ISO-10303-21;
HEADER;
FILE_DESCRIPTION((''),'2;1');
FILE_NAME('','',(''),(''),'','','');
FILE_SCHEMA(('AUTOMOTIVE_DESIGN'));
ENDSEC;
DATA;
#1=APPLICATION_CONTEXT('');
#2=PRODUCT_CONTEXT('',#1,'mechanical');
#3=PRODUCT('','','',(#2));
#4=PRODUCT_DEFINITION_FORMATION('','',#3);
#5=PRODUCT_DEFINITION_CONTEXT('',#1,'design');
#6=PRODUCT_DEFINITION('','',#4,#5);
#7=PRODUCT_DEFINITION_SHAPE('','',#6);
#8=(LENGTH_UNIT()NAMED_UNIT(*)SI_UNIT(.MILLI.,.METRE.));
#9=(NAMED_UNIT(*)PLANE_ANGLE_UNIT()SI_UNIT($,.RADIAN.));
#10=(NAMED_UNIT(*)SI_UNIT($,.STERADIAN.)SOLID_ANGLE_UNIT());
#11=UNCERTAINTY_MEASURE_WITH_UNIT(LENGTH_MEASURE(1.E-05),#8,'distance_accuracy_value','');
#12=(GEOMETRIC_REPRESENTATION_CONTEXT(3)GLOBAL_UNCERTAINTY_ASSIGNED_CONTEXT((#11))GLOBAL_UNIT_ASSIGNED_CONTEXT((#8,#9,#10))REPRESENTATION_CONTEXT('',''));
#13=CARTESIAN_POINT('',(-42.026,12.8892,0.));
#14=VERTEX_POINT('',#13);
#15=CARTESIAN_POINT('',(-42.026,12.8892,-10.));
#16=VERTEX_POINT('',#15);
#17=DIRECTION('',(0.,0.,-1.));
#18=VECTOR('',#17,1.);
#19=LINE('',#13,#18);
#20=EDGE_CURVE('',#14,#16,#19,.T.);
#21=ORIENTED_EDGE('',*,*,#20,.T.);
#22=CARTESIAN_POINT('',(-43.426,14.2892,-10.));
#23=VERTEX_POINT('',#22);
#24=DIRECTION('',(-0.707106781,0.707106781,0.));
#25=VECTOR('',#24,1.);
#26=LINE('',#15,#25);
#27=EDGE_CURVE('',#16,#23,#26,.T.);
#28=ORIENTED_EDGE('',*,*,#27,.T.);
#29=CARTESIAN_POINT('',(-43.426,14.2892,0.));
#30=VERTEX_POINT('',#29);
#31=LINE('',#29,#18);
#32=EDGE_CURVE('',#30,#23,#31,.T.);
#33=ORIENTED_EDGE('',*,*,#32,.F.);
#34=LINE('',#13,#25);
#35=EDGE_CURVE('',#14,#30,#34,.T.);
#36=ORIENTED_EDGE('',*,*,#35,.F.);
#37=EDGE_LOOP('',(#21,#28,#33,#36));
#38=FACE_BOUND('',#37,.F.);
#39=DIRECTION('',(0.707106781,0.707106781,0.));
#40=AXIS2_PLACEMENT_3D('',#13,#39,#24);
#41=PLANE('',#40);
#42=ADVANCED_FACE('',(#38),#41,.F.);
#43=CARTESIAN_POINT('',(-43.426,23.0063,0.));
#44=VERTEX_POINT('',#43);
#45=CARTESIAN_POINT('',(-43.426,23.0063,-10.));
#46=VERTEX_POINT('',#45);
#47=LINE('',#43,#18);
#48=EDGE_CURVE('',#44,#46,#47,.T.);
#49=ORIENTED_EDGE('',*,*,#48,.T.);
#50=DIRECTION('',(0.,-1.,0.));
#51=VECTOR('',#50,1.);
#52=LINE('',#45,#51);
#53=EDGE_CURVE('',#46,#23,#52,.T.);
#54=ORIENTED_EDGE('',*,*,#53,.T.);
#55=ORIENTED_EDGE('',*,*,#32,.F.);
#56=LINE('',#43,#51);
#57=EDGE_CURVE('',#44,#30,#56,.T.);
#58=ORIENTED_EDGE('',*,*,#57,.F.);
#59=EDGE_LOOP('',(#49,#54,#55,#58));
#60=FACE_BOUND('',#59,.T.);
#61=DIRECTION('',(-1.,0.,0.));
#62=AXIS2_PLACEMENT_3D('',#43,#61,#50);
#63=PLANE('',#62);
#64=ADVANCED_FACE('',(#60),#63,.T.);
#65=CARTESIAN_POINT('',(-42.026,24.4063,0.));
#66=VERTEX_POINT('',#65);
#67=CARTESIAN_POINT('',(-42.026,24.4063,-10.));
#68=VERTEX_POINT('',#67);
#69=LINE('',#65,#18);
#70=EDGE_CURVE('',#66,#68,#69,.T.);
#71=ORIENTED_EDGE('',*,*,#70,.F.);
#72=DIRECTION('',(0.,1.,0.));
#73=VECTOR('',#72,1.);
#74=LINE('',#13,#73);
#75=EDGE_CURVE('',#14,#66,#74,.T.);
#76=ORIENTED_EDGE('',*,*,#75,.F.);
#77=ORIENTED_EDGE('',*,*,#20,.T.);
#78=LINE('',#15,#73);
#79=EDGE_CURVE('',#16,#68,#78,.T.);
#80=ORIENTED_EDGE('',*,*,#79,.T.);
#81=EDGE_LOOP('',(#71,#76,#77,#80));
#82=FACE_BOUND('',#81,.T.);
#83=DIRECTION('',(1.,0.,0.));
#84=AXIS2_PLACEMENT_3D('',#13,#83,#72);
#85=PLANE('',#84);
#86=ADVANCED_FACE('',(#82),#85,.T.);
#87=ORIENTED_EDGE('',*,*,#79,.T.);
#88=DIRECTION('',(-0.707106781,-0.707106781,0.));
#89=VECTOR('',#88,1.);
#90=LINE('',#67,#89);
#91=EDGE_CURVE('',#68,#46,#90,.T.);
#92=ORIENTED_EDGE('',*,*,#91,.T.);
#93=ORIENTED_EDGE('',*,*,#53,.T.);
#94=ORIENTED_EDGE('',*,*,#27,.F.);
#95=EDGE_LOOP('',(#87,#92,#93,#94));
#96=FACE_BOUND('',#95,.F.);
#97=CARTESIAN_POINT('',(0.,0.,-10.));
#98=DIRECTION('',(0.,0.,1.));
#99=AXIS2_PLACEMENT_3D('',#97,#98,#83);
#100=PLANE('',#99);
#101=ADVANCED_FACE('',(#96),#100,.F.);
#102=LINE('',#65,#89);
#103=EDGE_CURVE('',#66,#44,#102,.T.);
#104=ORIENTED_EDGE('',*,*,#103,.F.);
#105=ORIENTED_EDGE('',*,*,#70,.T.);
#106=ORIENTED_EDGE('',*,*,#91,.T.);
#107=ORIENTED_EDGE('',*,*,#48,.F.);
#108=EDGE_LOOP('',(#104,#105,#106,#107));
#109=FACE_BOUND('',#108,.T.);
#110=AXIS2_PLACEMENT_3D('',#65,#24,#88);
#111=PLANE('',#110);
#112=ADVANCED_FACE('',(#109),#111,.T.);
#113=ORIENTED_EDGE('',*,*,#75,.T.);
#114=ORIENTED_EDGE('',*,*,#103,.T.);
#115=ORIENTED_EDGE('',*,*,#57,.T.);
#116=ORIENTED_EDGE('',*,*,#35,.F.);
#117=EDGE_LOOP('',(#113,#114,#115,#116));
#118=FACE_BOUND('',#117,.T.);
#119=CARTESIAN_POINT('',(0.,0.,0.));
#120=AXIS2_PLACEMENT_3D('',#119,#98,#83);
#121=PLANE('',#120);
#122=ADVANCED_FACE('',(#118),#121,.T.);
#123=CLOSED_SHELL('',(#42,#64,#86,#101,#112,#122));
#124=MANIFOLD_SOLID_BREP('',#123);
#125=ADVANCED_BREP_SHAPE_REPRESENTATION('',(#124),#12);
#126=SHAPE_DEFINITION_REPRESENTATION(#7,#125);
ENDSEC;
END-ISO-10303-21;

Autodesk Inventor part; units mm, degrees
ref_plane "YZ Plane" through (0, 0, 0) normal (1, 0, 0) x (0, 1, 0)
ref_plane "XZ Plane" through (0, 0, 0) normal (0, 1, 0) x (-1, 0, 0)
ref_plane "XY Plane" through (0, 0, 0) normal (0, 0, 1) x (1, 0, 0)
ref_plane "Arbeitsebene1" through (0, 0, 0) normal (0, 0, 1) x (1, 0, 0)
sketch "Skizze1" plane through (0, 0, 0) normal (0, 0, 1) x (1, 0, 0)
  line L0 (-23.1578, -6.2841) -> (-24.6578, -4.7841) projected
  line L1 (-24.6578, -4.7841) -> (-12.6578, -4.7841) projected
  line L2 (-12.6578, -4.7841) -> (-14.1578, -6.2841) projected
  line L3 (-14.1578, -6.2841) -> (-23.1578, -6.2841) projected
  line L4 (-43.426, 23.1477) -> (-41.926, 24.6477) projected
  line L5 (-41.926, 24.6477) -> (-41.926, 12.6477) projected
  line L6 (-41.926, 12.6477) -> (-43.426, 14.1477) projected
  line L7 (-43.426, 14.1477) -> (-43.426, 1.4359) projected
  line L8 (-43.426, 1.4359) -> (-39.726, 1.4359) projected
  line L9 (-39.726, 1.4359) -> (-35.546, -2.7441) projected
  line L10 (-35.546, -2.7441) -> (-35.546, -6.4241) projected
  line L11 (-35.546, -6.4241) -> (-1.606, -6.4241) projected
  line L12 (-1.606, -6.4241) -> (-1.606, -2.7441) projected
  line L13 (-1.606, -2.7441) -> (2.574, 1.4359) projected
  line L14 (2.574, 1.4359) -> (6.414, 1.4359) projected
  line L15 (6.414, 1.4359) -> (6.414, 10.6477) projected
  line L16 (6.414, 10.6477) -> (10.414, 10.6477) projected
  line L17 (10.414, 26.6477) -> (10.414, 10.6477) projected
  line L18 (6.414, 26.6477) -> (10.414, 26.6477) projected
  line L19 (6.414, 26.6477) -> (6.414, 35.5359) projected
  line L20 (6.414, 35.5359) -> (2.574, 35.5359) projected
  line L21 (2.574, 35.5359) -> (-1.606, 39.7429) projected
  line L22 (-1.606, 39.7429) -> (-1.606, 43.5559) projected
  line L23 (-1.606, 43.5559) -> (-9.6578, 43.5559) projected
  line L24 (-9.6578, 43.5559) -> (-9.6578, 47.5559) projected
  line L25 (-27.6578, 47.5559) -> (-9.6578, 47.5559) projected
  line L26 (-27.6578, 43.5559) -> (-27.6578, 47.5559) projected
  line L27 (-27.6578, 43.5559) -> (-32.737, 43.5559) projected
  line L28 (-32.737, 43.5559) -> (-35.546, 43.5359) projected
  line L29 (-35.546, 43.5359) -> (-35.519, 39.7429) projected
  line L30 (-35.519, 39.7429) -> (-39.726, 35.5359) projected
  line L31 (-39.726, 35.5359) -> (-43.426, 35.5359) projected
  line L32 (-43.426, 35.5359) -> (-43.426, 23.1477) projected
  line L33 (-3.1655, 23.9804) -> (-4.415, 22.7309) projected
  line L34 (-4.415, 22.7309) -> (-4.415, 14.4009) projected
  line L35 (-4.415, 14.4009) -> (-3.1655, 13.1514) projected
  line L36 (-3.1655, 13.1514) -> (-3.1655, 9.27) projected
  line L37 (-3.1655, 9.27) -> (-8.0306, 4.4049) projected
  line L38 (-8.0306, 4.4049) -> (-27.8429, 4.4049) projected
  line L39 (-27.8429, 4.4049) -> (-33.1694, 9.7314) projected
  line L40 (-33.1694, 9.7314) -> (-33.1694, 13.1514) projected
  line L41 (-33.1694, 13.1514) -> (-31.9199, 14.4009) projected
  line L42 (-31.9199, 14.4009) -> (-31.9199, 22.7309) projected
  line L43 (-31.9199, 22.7309) -> (-33.1694, 23.9804) projected
  line L44 (-33.1694, 23.9804) -> (-33.1694, 26.7231) projected
  arc A0 (-31.9199, 26.7231) -> (-33.1694, 26.7231) centre (-32.5446, 26.7231) ccw projected
  line L45 (-31.9199, 26.7231) -> (-31.9199, 23.9804) projected
  line L46 (-31.9199, 23.9804) -> (-30.6704, 22.7309) projected
  line L47 (-30.6704, 22.7309) -> (-30.6704, 14.4009) projected
  line L48 (-30.6704, 14.4009) -> (-31.9199, 13.1514) projected
  line L49 (-31.9199, 13.1514) -> (-31.9199, 9.7314) projected
  line L50 (-31.9199, 9.7314) -> (-27.0099, 4.8214) projected
  line L51 (-27.0099, 4.8214) -> (-8.8636, 4.8214) projected
  line L52 (-8.8636, 4.8214) -> (-4.415, 9.27) projected
  line L53 (-4.415, 9.27) -> (-4.415, 13.1514) projected
  line L54 (-4.415, 13.1514) -> (-5.6645, 14.4009) projected
  line L55 (-5.6645, 14.4009) -> (-5.6645, 22.7309) projected
  line L56 (-5.6645, 22.7309) -> (-4.415, 23.9804) projected
  line L57 (-4.415, 23.9804) -> (-4.415, 27.27) projected
  arc A1 (-3.1655, 27.27) -> (-4.415, 27.27) centre (-3.7903, 27.27) ccw projected
  line L58 (-3.1655, 27.27) -> (-3.1655, 23.9804) projected
  line L59 (-1.083, 22.7309) -> (-2.3325, 23.9804) projected
  line L60 (-2.3325, 23.9804) -> (-2.3325, 27.7462) projected
  line L61 (-2.3325, 27.7462) -> (-6.8967, 32.3104) projected
  line L62 (-6.8967, 32.3104) -> (-29.2772, 32.3104) projected
  line L63 (-29.2772, 32.3104) -> (-34.0024, 27.5852) projected
  line L64 (-34.0024, 27.5852) -> (-34.0024, 23.9804) projected
  line L65 (-34.0024, 23.9804) -> (-35.2519, 22.7309) projected
  line L66 (-35.2519, 22.7309) -> (-35.2519, 14.4009) projected
  line L67 (-35.2519, 14.4009) -> (-34.0024, 13.1514) projected
  line L68 (-34.0024, 13.1514) -> (-34.0024, 9.1062) projected
  arc A2 (-35.2519, 9.1062) -> (-34.0024, 9.1062) centre (-34.6271, 9.1062) ccw projected
  line L69 (-35.2519, 9.1062) -> (-35.2519, 13.1514) projected
  line L70 (-35.2519, 13.1514) -> (-36.5014, 14.4009) projected
  line L71 (-36.5014, 14.4009) -> (-36.5014, 22.7309) projected
  line L72 (-36.5014, 22.7309) -> (-35.2519, 23.9804) projected
  line L73 (-35.2519, 23.9804) -> (-35.2519, 27.5118) projected
  line L74 (-35.2519, 27.5118) -> (-30.0368, 32.7269) projected
  line L75 (-30.0368, 32.7269) -> (-6.0637, 32.7269) projected
  line L76 (-6.0637, 32.7269) -> (-1.083, 27.7462) projected
  line L77 (-1.083, 27.7462) -> (-1.083, 23.9804) projected
  line L78 (-1.083, 23.9804) -> (0.1665, 22.7309) projected
  line L79 (0.1665, 22.7309) -> (0.1665, 14.4009) projected
  line L80 (0.1665, 14.4009) -> (-1.083, 13.1514) projected
  line L81 (-1.083, 13.1514) -> (-1.083, 9.9845) projected
  line L82 (-1.083, 9.9845) -> (-0.1206, 9.9845) projected
  arc A3 (0.6639, 9.2286) -> (-0.1206, 9.9845) centre (0.6639, 10.0136) ccw projected
  line L83 (0.6639, 9.2286) -> (-2.3325, 9.2286) projected
  line L84 (-2.3325, 9.2286) -> (-2.3325, 13.1514) projected
  line L85 (-2.3325, 13.1514) -> (-1.083, 14.4009) projected
  line L86 (-1.083, 14.4009) -> (-1.083, 22.7309) projected
  line L87 (-7.8034, -0.5931) -> (-11.8361, -0.5931) projected
  line L88 (-11.8361, -0.5931) -> (-13.0856, 0.6564) projected
  line L89 (-13.0856, 0.6564) -> (-23.0816, 0.6564) projected
  line L90 (-23.0816, 0.6564) -> (-24.3311, -0.5931) projected
  line L91 (-24.3311, -0.5931) -> (-29.5122, -0.5931) projected
  arc A4 (-29.5122, 0.6564) -> (-29.5122, -0.5931) centre (-29.5122, 0.0317) ccw projected
  line L92 (-29.5122, 0.6564) -> (-24.3311, 0.6564) projected
  line L93 (-24.3311, 0.6564) -> (-23.0816, 1.9059) projected
  line L94 (-23.0816, 1.9059) -> (-13.0856, 1.9059) projected
  line L95 (-13.0856, 1.9059) -> (-11.8361, 0.6564) projected
  line L96 (-11.8361, 0.6564) -> (-7.8034, 0.6564) projected
  line L97 (-7.8034, 0.6564) -> (-0.25, 8.2098) projected
  line L98 (-0.25, 8.2098) -> (3.4985, 8.2098) projected
  line L99 (3.4985, 8.2098) -> (3.4985, 28.6211) projected
  line L100 (3.4985, 28.6211) -> (0.051, 28.6211) projected
  line L101 (0.051, 28.6211) -> (-7.8034, 36.4754) projected
  line L102 (-7.8034, 36.4754) -> (-11.8361, 36.4754) projected
  line L103 (-11.8361, 36.4754) -> (-13.0856, 35.2259) projected
  line L104 (-13.0856, 35.2259) -> (-23.0816, 35.2259) projected
  line L105 (-23.0816, 35.2259) -> (-24.3311, 36.4754) projected
  line L106 (-24.3311, 36.4754) -> (-27.1009, 36.4754) projected
  arc A5 (-28.3504, 37.7249) -> (-27.1009, 36.4754) centre (-28.3504, 36.4754) ccw projected
  line L107 (-28.3504, 37.7249) -> (-24.3311, 37.7249) projected
  line L108 (-24.3311, 37.7249) -> (-23.0816, 36.4754) projected
  line L109 (-23.0816, 36.4754) -> (-13.0856, 36.4754) projected
  line L110 (-13.0856, 36.4754) -> (-11.8361, 37.7249) projected
  line L111 (-11.8361, 37.7249) -> (-7.8034, 37.7249) projected
  line L112 (-7.8034, 37.7249) -> (0.051, 29.8706) projected
  line L113 (0.051, 29.8706) -> (3.915, 29.8706) projected
  line L114 (3.915, 29.8706) -> (3.915, 6.9603) projected
  line L115 (3.915, 6.9603) -> (-0.25, 6.9603) projected
  line L116 (-0.25, 6.9603) -> (-7.8034, -0.5931) projected
  arc A6 (-31.6721, -1.088) -> (-30.301, -2.6756) centre (-30.301, -1.2897) ccw projected
  line L117 (-31.6721, -1.088) -> (-31.6721, 1.5931) projected
  line L118 (-31.6721, 1.5931) -> (-37.9016, 7.8227) projected
  line L119 (-37.9016, 7.8227) -> (-37.9016, 29.3992) projected
  line L120 (-37.9016, 29.3992) -> (-31.6721, 35.6287) projected
  line L121 (-31.6721, 35.6287) -> (-31.6721, 36.973) projected
  arc A7 (-29.7485, 39.8074) -> (-31.6721, 36.973) centre (-28.6221, 36.973) ccw projected
  line L122 (-29.7485, 39.8074) -> (-24.3311, 39.8074) projected
  line L123 (-24.3311, 39.8074) -> (-23.0816, 41.0569) projected
  line L124 (-23.0816, 41.0569) -> (-13.0856, 41.0569) projected
  line L125 (-13.0856, 41.0569) -> (-11.8361, 39.8074) projected
  line L126 (-11.8361, 39.8074) -> (-6.9454, 39.8074) projected
  arc A8 (-6.9454, 38.5579) -> (-6.9454, 39.8074) centre (-6.9454, 39.1827) ccw projected
  line L127 (-6.9454, 38.5579) -> (-11.8361, 38.5579) projected
  line L128 (-11.8361, 38.5579) -> (-13.0856, 39.8074) projected
  line L129 (-13.0856, 39.8074) -> (-23.0816, 39.8074) projected
  line L130 (-23.0816, 39.8074) -> (-24.3311, 38.5579) projected
  line L131 (-24.3311, 38.5579) -> (-28.5767, 38.5579) projected
  arc A9 (-28.5767, 38.5579) -> (-31.2556, 36.5303) centre (-28.5767, 35.7744) ccw projected
  line L132 (-31.2556, 36.5303) -> (-31.2556, 34.3792) projected
  line L133 (-31.2556, 34.3792) -> (-37.4851, 28.1497) projected
  line L134 (-37.4851, 28.1497) -> (-37.4851, 9.0722) projected
  line L135 (-37.4851, 9.0722) -> (-31.2556, 2.8426) projected
  line L136 (-31.2556, 2.8426) -> (-31.2556, -0.2985) projected
  arc A10 (-31.2556, -0.2985) -> (-30.128, -1.4261) centre (-30.128, -0.2985) ccw projected
  line L137 (-30.128, -1.4261) -> (-24.3311, -1.4261) projected
  line L138 (-24.3311, -1.4261) -> (-23.0816, -2.6756) projected
  line L139 (-23.0816, -2.6756) -> (-13.0856, -2.6756) projected
  line L140 (-13.0856, -2.6756) -> (-11.8361, -1.4261) projected
  line L141 (-11.8361, -1.4261) -> (-8.1549, -1.4261) projected
  arc A11 (-9.4975, -2.7687) -> (-8.1549, -1.4261) centre (-8.1549, -2.7687) ccw projected
  line L142 (-9.4975, -2.7687) -> (-9.4975, -2.6756) projected
  line L143 (-9.4975, -2.6756) -> (-11.8361, -2.6756) projected
  line L144 (-11.8361, -2.6756) -> (-13.0856, -3.9251) projected
  line L145 (-13.0856, -3.9251) -> (-23.0816, -3.9251) projected
  line L146 (-23.0816, -3.9251) -> (-24.3311, -2.6756) projected
  line L147 (-24.3311, -2.6756) -> (-30.301, -2.6756) projected
  spline S0 degree 3 poles (-22.5816, 9.4578) (-23.782, 9.9576) (-24.8728, 10.6879) (-26.7215, 12.5314) (-27.459, 13.6295) (-28.4771, 16.0552) (-28.7445, 17.3609) (-28.7639, 19.7945) (-28.5901, 20.9017) (-27.8908, 23.023) (-27.368, 24.0222) (-26.6946, 24.9175) knots 0 0 0 0 0.390087 0.390087 0.7831 0.7831 1.17904 1.17904 1.512851 1.512851 1.848728 1.848728 1.848728 1.848728 projected
  arc A12 (-14.4263, 28.0017) -> (-26.6946, 24.9175) centre (-18.576, 18.5659) ccw projected
  spline S1 degree 3 poles (-14.4263, 28.0017) (-13.2128, 27.4401) (-12.1202, 26.6478) (-10.3081, 24.6948) (-9.6034, 23.5555) (-8.6755, 21.0795) (-8.4577, 19.7679) (-8.5322, 17.3567) (-8.7442, 16.2748) (-9.5078, 14.2292) (-10.0521, 13.2785) (-10.7394, 12.4349) knots 0 0 0 0 0.401148 0.401148 0.799369 0.799369 1.194661 1.194661 1.523406 1.523406 1.850084 1.850084 1.850084 1.850084 projected
  arc A13 (-22.5816, 9.4578) -> (-10.7394, 12.4349) centre (-18.576, 18.5659) ccw projected
  circle A14 centre (-8.9594, 8.9493) radius 0.9 projected
  circle A15 centre (-28.1927, 28.1826) radius 0.9 projected
  circle A16 centre (7.1645, 15.1129) radius 1.45 projected
  circle A17 centre (-22.1312, 44.3064) radius 1.45 projected
  circle A18 centre (-14.8592, 44.3064) radius 1.45 projected
  circle A19 centre (7.1645, 22.3009) radius 1.45 projected
  circle A20 centre (-28.1927, 8.9493) radius 0.9 projected
  circle A21 centre (-8.9594, 28.1826) radius 0.9 projected
  line L148 (-42.026, 12.8892) -> (-42.026, 24.4063) construction
  line L149 (-42.026, 24.4063) -> (-43.526, 22.9063) construction
  line L150 (-43.526, 22.9063) -> (-43.526, 35.6359) construction
  line L151 (-43.526, 35.6359) -> (-39.7675, 35.6359) construction
  line L152 (-39.7675, 35.6359) -> (-35.6193, 39.784) construction
  line L153 (-35.6193, 39.784) -> (-35.6467, 43.6352) construction
  line L154 (-35.6467, 43.6352) -> (-32.7374, 43.6559) construction
  line L155 (-32.7374, 43.6559) -> (-27.7578, 43.6559) construction
  line L156 (-27.7578, 43.6559) -> (-27.7578, 47.6559) construction
  line L157 (-27.7578, 47.6559) -> (-9.5578, 47.6559) construction
  line L158 (-9.5578, 47.6559) -> (-9.5578, 43.6559) construction
  line L159 (-9.5578, 43.6559) -> (-1.506, 43.6559) construction
  line L160 (-1.506, 43.6559) -> (-1.506, 39.7842) construction
  line L161 (-1.506, 39.7842) -> (2.6156, 35.6359) construction
  line L162 (2.6156, 35.6359) -> (6.514, 35.6359) construction
  line L163 (6.514, 35.6359) -> (6.514, 26.7477) construction
  line L164 (6.514, 26.7477) -> (10.514, 26.7477) construction
  line L165 (10.514, 26.7477) -> (10.514, 10.5477) construction
  line L166 (10.514, 10.5477) -> (6.514, 10.5477) construction
  line L167 (6.514, 10.5477) -> (6.514, 1.3359) construction
  line L168 (6.514, 1.3359) -> (2.6154, 1.3359) construction
  line L169 (2.6154, 1.3359) -> (-1.506, -2.7855) construction
  line L170 (-1.506, -2.7855) -> (-1.506, -6.5241) construction
  line L171 (-1.506, -6.5241) -> (-35.646, -6.5241) construction
  line L172 (-35.646, -6.5241) -> (-35.646, -2.7855) construction
  line L173 (-35.646, -2.7855) -> (-39.7675, 1.3359) construction
  line L174 (-39.7675, 1.3359) -> (-43.526, 1.3359) construction
  line L175 (-43.526, 1.3359) -> (-43.526, 14.3892) construction
  line L176 (-43.526, 14.3892) -> (-42.026, 12.8892) construction
  line L177 (-42.026, 12.8892) -> (-43.426, 14.2892)
  line L178 (-42.026, 12.8892) -> (-42.026, 24.4063)
  line L179 (-42.026, 24.4063) -> (-43.426, 23.0063)
  line L180 (-43.426, 23.0063) -> (-43.426, 14.2892)
  point P0 (0, 0)
  dimension "d0" = 0.1
extrude "Extrusion1" add sketch "Skizze1" against normal blind 10 contours L177 L180 L179 L178
properties part number "20_Cube_Inser_Flexuremanipulator_springlock_v3"
